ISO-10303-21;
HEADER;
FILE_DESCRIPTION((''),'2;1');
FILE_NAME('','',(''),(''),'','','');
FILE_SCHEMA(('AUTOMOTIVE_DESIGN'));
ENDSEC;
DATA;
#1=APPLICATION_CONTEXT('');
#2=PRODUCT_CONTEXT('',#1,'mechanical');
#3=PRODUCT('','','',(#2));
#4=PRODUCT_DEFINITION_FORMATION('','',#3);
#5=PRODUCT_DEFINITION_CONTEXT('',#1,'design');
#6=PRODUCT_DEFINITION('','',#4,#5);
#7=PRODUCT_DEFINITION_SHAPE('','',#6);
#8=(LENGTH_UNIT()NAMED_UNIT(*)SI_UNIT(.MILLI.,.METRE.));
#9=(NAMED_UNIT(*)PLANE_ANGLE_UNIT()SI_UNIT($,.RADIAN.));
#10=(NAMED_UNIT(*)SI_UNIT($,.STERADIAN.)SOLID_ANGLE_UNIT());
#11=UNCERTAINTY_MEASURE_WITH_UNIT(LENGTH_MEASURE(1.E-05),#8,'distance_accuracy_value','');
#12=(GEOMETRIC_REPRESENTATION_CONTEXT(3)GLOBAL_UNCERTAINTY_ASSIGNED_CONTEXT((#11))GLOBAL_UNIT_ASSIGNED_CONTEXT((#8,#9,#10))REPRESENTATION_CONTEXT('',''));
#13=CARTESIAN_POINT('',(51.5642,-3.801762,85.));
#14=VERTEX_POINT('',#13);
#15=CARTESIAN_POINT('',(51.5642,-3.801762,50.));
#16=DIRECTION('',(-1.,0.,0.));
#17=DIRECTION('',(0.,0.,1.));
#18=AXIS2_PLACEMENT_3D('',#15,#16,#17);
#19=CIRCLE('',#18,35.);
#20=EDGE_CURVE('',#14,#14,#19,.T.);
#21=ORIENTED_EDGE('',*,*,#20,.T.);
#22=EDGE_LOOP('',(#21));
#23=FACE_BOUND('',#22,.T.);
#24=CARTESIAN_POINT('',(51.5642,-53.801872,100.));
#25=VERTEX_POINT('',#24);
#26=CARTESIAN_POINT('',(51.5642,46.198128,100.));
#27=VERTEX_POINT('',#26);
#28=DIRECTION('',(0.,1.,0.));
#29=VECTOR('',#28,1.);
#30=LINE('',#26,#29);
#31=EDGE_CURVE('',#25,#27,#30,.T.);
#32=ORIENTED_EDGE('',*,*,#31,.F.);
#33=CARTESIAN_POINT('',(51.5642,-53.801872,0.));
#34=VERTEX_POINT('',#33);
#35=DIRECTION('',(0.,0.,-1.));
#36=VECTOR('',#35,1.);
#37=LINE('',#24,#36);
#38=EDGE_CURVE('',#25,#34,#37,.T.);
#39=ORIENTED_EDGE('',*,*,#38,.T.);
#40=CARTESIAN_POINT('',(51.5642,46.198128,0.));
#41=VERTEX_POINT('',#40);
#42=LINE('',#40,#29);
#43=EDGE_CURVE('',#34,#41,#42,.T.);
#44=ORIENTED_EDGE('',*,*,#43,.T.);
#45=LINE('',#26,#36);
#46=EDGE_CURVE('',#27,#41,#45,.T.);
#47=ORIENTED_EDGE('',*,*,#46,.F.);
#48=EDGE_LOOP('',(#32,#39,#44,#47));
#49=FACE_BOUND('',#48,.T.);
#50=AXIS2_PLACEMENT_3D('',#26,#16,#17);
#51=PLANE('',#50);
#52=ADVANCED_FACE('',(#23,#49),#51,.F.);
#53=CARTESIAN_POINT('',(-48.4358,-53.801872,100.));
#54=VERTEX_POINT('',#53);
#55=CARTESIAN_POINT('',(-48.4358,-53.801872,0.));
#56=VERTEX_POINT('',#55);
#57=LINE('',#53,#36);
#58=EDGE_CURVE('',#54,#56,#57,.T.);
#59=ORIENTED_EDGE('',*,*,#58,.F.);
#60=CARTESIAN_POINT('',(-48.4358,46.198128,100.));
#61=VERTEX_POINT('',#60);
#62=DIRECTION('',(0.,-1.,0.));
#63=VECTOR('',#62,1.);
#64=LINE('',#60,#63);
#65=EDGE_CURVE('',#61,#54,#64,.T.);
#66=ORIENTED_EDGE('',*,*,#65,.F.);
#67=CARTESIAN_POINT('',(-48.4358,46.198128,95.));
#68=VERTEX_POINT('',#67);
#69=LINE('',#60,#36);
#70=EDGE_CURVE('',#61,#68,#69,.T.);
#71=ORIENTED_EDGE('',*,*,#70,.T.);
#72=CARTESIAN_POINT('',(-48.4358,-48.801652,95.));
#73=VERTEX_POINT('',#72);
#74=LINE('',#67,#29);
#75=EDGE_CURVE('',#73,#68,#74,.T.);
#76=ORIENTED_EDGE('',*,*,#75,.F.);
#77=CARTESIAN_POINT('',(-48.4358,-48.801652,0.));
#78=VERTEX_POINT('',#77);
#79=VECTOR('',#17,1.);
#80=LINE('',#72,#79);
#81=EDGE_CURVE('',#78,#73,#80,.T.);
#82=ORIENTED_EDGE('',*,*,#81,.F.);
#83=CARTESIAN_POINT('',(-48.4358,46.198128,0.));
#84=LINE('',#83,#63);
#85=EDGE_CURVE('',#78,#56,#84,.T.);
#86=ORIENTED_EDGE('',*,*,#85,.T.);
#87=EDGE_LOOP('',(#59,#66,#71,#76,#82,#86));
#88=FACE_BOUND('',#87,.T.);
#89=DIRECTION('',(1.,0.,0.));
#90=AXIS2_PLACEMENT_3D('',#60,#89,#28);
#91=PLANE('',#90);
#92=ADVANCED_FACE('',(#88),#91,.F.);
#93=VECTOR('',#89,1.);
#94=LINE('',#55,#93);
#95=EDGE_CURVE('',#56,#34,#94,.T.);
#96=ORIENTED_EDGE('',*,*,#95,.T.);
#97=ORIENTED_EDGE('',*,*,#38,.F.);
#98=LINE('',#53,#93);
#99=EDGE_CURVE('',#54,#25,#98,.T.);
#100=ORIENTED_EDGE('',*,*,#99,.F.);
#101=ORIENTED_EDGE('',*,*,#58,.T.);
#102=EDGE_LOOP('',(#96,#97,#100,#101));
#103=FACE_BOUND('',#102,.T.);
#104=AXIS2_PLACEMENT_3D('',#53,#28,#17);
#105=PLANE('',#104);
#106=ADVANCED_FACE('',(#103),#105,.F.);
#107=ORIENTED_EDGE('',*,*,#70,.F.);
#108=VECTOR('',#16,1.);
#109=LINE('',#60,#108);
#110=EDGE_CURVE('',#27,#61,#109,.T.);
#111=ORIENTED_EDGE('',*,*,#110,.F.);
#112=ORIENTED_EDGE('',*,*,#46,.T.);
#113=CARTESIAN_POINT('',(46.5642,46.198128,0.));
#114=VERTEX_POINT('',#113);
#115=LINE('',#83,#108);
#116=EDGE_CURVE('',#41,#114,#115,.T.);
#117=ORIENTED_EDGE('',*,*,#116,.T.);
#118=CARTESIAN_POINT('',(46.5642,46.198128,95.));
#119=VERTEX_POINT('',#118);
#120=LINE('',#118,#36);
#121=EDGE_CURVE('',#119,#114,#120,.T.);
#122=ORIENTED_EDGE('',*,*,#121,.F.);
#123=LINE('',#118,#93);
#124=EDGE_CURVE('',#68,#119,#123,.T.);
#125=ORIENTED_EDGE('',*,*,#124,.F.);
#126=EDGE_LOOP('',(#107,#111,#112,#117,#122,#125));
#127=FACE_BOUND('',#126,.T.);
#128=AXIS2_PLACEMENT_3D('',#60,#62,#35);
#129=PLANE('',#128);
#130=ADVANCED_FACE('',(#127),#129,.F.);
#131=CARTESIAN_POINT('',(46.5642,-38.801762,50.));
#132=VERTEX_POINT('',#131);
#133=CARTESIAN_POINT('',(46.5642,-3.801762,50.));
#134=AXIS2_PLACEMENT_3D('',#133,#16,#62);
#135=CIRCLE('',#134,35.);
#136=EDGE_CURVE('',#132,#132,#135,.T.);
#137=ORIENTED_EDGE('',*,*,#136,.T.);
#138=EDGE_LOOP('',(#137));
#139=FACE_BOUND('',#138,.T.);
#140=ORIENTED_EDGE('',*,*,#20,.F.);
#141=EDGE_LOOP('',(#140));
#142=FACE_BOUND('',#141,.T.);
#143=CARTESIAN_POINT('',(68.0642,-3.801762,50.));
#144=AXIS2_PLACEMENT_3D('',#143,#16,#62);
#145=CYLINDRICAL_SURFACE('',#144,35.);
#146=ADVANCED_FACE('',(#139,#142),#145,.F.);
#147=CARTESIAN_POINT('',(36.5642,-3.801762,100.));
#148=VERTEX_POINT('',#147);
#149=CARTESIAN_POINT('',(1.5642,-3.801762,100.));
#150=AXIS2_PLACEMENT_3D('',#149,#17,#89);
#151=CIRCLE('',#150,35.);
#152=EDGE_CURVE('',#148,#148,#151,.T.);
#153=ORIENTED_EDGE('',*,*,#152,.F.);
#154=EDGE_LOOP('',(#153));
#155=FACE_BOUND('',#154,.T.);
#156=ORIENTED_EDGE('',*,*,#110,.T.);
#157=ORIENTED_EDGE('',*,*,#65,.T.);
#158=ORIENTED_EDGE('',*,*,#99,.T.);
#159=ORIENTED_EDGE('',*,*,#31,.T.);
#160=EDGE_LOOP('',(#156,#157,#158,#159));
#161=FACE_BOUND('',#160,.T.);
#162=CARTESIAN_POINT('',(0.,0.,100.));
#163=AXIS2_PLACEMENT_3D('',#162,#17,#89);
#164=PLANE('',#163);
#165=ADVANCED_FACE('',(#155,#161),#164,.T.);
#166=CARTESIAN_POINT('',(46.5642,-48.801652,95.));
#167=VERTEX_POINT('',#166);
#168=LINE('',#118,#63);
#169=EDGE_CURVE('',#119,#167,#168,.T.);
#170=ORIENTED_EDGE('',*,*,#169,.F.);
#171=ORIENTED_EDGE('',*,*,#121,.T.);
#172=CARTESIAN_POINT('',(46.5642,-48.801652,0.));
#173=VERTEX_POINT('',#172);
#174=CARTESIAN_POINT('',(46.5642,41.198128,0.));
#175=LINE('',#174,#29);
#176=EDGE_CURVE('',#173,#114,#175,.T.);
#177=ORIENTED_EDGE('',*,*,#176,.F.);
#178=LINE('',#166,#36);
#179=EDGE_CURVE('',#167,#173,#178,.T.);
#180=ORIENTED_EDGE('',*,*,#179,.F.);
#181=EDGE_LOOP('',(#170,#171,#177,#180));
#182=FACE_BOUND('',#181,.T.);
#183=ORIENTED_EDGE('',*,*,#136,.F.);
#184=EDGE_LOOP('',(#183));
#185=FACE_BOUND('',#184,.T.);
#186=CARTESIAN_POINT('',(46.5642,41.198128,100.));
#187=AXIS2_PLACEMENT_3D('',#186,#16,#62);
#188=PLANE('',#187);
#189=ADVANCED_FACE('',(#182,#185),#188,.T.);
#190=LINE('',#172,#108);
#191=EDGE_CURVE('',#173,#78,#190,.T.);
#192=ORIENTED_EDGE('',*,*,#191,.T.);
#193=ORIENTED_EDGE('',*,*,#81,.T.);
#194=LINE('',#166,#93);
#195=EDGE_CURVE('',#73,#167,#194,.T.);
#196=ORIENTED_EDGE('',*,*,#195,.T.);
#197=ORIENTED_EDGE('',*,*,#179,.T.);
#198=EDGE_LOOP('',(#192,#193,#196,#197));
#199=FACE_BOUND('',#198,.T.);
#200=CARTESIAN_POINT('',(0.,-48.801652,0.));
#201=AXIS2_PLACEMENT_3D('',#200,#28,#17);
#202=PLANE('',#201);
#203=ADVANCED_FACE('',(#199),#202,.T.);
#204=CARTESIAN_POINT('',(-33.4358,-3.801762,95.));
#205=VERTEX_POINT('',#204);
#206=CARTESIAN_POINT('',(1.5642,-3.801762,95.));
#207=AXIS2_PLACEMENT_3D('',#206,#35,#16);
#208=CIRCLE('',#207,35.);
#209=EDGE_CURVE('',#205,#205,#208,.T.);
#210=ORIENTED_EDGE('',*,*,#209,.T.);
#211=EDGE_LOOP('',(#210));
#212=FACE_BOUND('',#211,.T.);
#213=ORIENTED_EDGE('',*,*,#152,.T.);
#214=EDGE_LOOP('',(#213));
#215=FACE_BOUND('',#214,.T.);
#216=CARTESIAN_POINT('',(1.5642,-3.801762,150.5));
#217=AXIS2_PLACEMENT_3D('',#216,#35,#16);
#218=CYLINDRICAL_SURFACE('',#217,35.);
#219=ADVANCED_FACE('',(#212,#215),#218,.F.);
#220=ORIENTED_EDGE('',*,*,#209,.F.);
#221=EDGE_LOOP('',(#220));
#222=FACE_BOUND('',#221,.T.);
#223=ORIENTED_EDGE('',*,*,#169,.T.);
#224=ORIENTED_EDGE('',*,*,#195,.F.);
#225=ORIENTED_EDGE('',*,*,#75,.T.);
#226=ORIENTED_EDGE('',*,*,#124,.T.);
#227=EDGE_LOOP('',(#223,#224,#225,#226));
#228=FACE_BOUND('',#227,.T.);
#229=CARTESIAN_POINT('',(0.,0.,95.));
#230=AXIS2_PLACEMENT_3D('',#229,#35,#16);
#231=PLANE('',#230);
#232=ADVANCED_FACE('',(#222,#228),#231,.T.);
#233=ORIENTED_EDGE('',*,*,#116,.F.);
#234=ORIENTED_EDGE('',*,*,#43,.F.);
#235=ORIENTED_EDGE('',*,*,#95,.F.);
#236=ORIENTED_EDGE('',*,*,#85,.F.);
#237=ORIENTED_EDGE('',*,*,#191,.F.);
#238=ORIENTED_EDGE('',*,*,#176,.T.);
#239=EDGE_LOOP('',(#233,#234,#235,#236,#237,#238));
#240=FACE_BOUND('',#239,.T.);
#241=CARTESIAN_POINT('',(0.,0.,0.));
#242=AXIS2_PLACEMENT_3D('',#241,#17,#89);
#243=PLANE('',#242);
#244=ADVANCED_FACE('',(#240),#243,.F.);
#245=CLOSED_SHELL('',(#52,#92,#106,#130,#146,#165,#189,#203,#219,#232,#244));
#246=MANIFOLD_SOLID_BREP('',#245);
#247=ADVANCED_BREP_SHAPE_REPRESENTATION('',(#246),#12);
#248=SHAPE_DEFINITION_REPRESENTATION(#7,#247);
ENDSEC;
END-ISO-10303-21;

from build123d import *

# Parameters (mm, degrees)
ESQUISSE4_W             = 100
ESQUISSE4_H             = 100
ESQUISSE4_W_2           = 90
ESQUISSE4_H_2           = 90
BOSS_EXTRU_1_DEPTH      = 100
ESQUISSE5_W             = 100
ESQUISSE5_H             = 100
BOSS_EXTRU_2_DEPTH      = 10
ESQUISSE6_W             = 95
ESQUISSE6_H             = 94.999780415
ENL_V_MAT_EXTRU_1_DEPTH = 95
ESQUISSE7_W             = 95
ESQUISSE7_H             = 95
ENL_V_MAT_EXTRU_2_DEPTH = 1
ESQUISSE8_W             = 95
ESQUISSE8_H             = 95
BOSS_EXTRU_3_DEPTH      = 1
ENL_V_MAT_EXTRU_4_DEPTH = 55.5
ENL_V_MAT_EXTRU_5_DEPTH = 21.5


with BuildPart() as part:
    # Esquisse4 → Boss.-Extru.1 (new body)
    with BuildSketch(Plane.XY):
        with Locations((1.564199822, -3.801871506)):
            Rectangle(ESQUISSE4_W, ESQUISSE4_H)
        with Locations((1.564199822, -3.801871506)):
            Rectangle(ESQUISSE4_W_2, ESQUISSE4_H_2, mode=Mode.SUBTRACT)
    extrude(amount=BOSS_EXTRU_1_DEPTH)

    # Esquisse5 → Boss.-Extru.2 (add)
    with BuildSketch(Plane.XY.offset(100)):
        with Locations((1.564199822, -3.801871506)):
            Rectangle(ESQUISSE5_W, ESQUISSE5_H)
    extrude(amount=-BOSS_EXTRU_2_DEPTH)

    # Esquisse6 → Enlèv. mat.-Extru.1 (cut)
    with BuildSketch(Plane(origin=(0, 0, 0), x_dir=(-1, 0, 0), z_dir=(0, 0, -1))):
        with Locations((0.935800178, -1.301761713)):
            Rectangle(ESQUISSE6_W, ESQUISSE6_H)
    extrude(amount=-ENL_V_MAT_EXTRU_1_DEPTH, mode=Mode.SUBTRACT)

    # Esquisse7 → Enlèv. mat.-Extru.2 (cut)
    with BuildSketch(Plane(origin=(0, -48.801651921, 0), x_dir=(1, 0, 0), z_dir=(0, 1, 0))):
        with Locations((-0.935800178, -47.5)):
            Rectangle(ESQUISSE7_W, ESQUISSE7_H)
    extrude(amount=-ENL_V_MAT_EXTRU_2_DEPTH, mode=Mode.SUBTRACT)

    # Esquisse8 → Boss.-Extru.3 (add)
    with BuildSketch(Plane(origin=(0, -49.801651921, 0), x_dir=(1, 0, 0), z_dir=(0, 1, 0))):
        with Locations((-0.935800178, -47.5)):
            Rectangle(ESQUISSE8_W, ESQUISSE8_H)
    extrude(amount=BOSS_EXTRU_3_DEPTH)

    # Esquisse9 → Enlèv. mat.-Extru.4 (cut)
    with BuildSketch(Plane(origin=(0, 0, 95), x_dir=(-1, 0, 0), z_dir=(0, 0, -1))):
        with BuildLine():
            ThreePointArc((23.184567711, 20.946945437), (-26.312906972, 20.94700582), (-26.312967355, -28.550468863))
            Line((-26.312967355, -28.550468863), (23.184567711, 20.946945437))
        make_face()
        with BuildLine():
            Line((23.184567711, 20.946945437), (-26.312967355, -28.550468863))
            ThreePointArc((-26.312967355, -28.550468863), (11.829700587, -36.137553521), (33.435800178, -3.801761713))
            ThreePointArc((33.435800178, -3.801761713), (30.771591985, 9.592138696), (23.184567711, 20.946945437))
        make_face()
    extrude(amount=-ENL_V_MAT_EXTRU_4_DEPTH, mode=Mode.SUBTRACT)

    # Esquisse11 → Enlèv. mat.-Extru.5 (cut)
    with BuildSketch(Plane.ZY.offset(-46.564199822)):
        with BuildLine():
            ThreePointArc((25.251232467, 20.946945437), (25.25129285, -28.550529246), (74.748767533, -28.550468863))
            Line((74.748767533, -28.550468863), (25.251232467, 20.946945437))
        make_face()
        with BuildLine():
            Line((25.251232467, 20.946945437), (74.748767533, -28.550468863))
            ThreePointArc((74.748767533, -28.550468863), (82.335791808, -17.195662123), (85, -3.801761713))
            ThreePointArc((85, -3.801761713), (63.393900409, 28.534030094), (25.251232467, 20.946945437))
        make_face()
    extrude(amount=-ENL_V_MAT_EXTRU_5_DEPTH, mode=Mode.SUBTRACT)


solid = part.part
